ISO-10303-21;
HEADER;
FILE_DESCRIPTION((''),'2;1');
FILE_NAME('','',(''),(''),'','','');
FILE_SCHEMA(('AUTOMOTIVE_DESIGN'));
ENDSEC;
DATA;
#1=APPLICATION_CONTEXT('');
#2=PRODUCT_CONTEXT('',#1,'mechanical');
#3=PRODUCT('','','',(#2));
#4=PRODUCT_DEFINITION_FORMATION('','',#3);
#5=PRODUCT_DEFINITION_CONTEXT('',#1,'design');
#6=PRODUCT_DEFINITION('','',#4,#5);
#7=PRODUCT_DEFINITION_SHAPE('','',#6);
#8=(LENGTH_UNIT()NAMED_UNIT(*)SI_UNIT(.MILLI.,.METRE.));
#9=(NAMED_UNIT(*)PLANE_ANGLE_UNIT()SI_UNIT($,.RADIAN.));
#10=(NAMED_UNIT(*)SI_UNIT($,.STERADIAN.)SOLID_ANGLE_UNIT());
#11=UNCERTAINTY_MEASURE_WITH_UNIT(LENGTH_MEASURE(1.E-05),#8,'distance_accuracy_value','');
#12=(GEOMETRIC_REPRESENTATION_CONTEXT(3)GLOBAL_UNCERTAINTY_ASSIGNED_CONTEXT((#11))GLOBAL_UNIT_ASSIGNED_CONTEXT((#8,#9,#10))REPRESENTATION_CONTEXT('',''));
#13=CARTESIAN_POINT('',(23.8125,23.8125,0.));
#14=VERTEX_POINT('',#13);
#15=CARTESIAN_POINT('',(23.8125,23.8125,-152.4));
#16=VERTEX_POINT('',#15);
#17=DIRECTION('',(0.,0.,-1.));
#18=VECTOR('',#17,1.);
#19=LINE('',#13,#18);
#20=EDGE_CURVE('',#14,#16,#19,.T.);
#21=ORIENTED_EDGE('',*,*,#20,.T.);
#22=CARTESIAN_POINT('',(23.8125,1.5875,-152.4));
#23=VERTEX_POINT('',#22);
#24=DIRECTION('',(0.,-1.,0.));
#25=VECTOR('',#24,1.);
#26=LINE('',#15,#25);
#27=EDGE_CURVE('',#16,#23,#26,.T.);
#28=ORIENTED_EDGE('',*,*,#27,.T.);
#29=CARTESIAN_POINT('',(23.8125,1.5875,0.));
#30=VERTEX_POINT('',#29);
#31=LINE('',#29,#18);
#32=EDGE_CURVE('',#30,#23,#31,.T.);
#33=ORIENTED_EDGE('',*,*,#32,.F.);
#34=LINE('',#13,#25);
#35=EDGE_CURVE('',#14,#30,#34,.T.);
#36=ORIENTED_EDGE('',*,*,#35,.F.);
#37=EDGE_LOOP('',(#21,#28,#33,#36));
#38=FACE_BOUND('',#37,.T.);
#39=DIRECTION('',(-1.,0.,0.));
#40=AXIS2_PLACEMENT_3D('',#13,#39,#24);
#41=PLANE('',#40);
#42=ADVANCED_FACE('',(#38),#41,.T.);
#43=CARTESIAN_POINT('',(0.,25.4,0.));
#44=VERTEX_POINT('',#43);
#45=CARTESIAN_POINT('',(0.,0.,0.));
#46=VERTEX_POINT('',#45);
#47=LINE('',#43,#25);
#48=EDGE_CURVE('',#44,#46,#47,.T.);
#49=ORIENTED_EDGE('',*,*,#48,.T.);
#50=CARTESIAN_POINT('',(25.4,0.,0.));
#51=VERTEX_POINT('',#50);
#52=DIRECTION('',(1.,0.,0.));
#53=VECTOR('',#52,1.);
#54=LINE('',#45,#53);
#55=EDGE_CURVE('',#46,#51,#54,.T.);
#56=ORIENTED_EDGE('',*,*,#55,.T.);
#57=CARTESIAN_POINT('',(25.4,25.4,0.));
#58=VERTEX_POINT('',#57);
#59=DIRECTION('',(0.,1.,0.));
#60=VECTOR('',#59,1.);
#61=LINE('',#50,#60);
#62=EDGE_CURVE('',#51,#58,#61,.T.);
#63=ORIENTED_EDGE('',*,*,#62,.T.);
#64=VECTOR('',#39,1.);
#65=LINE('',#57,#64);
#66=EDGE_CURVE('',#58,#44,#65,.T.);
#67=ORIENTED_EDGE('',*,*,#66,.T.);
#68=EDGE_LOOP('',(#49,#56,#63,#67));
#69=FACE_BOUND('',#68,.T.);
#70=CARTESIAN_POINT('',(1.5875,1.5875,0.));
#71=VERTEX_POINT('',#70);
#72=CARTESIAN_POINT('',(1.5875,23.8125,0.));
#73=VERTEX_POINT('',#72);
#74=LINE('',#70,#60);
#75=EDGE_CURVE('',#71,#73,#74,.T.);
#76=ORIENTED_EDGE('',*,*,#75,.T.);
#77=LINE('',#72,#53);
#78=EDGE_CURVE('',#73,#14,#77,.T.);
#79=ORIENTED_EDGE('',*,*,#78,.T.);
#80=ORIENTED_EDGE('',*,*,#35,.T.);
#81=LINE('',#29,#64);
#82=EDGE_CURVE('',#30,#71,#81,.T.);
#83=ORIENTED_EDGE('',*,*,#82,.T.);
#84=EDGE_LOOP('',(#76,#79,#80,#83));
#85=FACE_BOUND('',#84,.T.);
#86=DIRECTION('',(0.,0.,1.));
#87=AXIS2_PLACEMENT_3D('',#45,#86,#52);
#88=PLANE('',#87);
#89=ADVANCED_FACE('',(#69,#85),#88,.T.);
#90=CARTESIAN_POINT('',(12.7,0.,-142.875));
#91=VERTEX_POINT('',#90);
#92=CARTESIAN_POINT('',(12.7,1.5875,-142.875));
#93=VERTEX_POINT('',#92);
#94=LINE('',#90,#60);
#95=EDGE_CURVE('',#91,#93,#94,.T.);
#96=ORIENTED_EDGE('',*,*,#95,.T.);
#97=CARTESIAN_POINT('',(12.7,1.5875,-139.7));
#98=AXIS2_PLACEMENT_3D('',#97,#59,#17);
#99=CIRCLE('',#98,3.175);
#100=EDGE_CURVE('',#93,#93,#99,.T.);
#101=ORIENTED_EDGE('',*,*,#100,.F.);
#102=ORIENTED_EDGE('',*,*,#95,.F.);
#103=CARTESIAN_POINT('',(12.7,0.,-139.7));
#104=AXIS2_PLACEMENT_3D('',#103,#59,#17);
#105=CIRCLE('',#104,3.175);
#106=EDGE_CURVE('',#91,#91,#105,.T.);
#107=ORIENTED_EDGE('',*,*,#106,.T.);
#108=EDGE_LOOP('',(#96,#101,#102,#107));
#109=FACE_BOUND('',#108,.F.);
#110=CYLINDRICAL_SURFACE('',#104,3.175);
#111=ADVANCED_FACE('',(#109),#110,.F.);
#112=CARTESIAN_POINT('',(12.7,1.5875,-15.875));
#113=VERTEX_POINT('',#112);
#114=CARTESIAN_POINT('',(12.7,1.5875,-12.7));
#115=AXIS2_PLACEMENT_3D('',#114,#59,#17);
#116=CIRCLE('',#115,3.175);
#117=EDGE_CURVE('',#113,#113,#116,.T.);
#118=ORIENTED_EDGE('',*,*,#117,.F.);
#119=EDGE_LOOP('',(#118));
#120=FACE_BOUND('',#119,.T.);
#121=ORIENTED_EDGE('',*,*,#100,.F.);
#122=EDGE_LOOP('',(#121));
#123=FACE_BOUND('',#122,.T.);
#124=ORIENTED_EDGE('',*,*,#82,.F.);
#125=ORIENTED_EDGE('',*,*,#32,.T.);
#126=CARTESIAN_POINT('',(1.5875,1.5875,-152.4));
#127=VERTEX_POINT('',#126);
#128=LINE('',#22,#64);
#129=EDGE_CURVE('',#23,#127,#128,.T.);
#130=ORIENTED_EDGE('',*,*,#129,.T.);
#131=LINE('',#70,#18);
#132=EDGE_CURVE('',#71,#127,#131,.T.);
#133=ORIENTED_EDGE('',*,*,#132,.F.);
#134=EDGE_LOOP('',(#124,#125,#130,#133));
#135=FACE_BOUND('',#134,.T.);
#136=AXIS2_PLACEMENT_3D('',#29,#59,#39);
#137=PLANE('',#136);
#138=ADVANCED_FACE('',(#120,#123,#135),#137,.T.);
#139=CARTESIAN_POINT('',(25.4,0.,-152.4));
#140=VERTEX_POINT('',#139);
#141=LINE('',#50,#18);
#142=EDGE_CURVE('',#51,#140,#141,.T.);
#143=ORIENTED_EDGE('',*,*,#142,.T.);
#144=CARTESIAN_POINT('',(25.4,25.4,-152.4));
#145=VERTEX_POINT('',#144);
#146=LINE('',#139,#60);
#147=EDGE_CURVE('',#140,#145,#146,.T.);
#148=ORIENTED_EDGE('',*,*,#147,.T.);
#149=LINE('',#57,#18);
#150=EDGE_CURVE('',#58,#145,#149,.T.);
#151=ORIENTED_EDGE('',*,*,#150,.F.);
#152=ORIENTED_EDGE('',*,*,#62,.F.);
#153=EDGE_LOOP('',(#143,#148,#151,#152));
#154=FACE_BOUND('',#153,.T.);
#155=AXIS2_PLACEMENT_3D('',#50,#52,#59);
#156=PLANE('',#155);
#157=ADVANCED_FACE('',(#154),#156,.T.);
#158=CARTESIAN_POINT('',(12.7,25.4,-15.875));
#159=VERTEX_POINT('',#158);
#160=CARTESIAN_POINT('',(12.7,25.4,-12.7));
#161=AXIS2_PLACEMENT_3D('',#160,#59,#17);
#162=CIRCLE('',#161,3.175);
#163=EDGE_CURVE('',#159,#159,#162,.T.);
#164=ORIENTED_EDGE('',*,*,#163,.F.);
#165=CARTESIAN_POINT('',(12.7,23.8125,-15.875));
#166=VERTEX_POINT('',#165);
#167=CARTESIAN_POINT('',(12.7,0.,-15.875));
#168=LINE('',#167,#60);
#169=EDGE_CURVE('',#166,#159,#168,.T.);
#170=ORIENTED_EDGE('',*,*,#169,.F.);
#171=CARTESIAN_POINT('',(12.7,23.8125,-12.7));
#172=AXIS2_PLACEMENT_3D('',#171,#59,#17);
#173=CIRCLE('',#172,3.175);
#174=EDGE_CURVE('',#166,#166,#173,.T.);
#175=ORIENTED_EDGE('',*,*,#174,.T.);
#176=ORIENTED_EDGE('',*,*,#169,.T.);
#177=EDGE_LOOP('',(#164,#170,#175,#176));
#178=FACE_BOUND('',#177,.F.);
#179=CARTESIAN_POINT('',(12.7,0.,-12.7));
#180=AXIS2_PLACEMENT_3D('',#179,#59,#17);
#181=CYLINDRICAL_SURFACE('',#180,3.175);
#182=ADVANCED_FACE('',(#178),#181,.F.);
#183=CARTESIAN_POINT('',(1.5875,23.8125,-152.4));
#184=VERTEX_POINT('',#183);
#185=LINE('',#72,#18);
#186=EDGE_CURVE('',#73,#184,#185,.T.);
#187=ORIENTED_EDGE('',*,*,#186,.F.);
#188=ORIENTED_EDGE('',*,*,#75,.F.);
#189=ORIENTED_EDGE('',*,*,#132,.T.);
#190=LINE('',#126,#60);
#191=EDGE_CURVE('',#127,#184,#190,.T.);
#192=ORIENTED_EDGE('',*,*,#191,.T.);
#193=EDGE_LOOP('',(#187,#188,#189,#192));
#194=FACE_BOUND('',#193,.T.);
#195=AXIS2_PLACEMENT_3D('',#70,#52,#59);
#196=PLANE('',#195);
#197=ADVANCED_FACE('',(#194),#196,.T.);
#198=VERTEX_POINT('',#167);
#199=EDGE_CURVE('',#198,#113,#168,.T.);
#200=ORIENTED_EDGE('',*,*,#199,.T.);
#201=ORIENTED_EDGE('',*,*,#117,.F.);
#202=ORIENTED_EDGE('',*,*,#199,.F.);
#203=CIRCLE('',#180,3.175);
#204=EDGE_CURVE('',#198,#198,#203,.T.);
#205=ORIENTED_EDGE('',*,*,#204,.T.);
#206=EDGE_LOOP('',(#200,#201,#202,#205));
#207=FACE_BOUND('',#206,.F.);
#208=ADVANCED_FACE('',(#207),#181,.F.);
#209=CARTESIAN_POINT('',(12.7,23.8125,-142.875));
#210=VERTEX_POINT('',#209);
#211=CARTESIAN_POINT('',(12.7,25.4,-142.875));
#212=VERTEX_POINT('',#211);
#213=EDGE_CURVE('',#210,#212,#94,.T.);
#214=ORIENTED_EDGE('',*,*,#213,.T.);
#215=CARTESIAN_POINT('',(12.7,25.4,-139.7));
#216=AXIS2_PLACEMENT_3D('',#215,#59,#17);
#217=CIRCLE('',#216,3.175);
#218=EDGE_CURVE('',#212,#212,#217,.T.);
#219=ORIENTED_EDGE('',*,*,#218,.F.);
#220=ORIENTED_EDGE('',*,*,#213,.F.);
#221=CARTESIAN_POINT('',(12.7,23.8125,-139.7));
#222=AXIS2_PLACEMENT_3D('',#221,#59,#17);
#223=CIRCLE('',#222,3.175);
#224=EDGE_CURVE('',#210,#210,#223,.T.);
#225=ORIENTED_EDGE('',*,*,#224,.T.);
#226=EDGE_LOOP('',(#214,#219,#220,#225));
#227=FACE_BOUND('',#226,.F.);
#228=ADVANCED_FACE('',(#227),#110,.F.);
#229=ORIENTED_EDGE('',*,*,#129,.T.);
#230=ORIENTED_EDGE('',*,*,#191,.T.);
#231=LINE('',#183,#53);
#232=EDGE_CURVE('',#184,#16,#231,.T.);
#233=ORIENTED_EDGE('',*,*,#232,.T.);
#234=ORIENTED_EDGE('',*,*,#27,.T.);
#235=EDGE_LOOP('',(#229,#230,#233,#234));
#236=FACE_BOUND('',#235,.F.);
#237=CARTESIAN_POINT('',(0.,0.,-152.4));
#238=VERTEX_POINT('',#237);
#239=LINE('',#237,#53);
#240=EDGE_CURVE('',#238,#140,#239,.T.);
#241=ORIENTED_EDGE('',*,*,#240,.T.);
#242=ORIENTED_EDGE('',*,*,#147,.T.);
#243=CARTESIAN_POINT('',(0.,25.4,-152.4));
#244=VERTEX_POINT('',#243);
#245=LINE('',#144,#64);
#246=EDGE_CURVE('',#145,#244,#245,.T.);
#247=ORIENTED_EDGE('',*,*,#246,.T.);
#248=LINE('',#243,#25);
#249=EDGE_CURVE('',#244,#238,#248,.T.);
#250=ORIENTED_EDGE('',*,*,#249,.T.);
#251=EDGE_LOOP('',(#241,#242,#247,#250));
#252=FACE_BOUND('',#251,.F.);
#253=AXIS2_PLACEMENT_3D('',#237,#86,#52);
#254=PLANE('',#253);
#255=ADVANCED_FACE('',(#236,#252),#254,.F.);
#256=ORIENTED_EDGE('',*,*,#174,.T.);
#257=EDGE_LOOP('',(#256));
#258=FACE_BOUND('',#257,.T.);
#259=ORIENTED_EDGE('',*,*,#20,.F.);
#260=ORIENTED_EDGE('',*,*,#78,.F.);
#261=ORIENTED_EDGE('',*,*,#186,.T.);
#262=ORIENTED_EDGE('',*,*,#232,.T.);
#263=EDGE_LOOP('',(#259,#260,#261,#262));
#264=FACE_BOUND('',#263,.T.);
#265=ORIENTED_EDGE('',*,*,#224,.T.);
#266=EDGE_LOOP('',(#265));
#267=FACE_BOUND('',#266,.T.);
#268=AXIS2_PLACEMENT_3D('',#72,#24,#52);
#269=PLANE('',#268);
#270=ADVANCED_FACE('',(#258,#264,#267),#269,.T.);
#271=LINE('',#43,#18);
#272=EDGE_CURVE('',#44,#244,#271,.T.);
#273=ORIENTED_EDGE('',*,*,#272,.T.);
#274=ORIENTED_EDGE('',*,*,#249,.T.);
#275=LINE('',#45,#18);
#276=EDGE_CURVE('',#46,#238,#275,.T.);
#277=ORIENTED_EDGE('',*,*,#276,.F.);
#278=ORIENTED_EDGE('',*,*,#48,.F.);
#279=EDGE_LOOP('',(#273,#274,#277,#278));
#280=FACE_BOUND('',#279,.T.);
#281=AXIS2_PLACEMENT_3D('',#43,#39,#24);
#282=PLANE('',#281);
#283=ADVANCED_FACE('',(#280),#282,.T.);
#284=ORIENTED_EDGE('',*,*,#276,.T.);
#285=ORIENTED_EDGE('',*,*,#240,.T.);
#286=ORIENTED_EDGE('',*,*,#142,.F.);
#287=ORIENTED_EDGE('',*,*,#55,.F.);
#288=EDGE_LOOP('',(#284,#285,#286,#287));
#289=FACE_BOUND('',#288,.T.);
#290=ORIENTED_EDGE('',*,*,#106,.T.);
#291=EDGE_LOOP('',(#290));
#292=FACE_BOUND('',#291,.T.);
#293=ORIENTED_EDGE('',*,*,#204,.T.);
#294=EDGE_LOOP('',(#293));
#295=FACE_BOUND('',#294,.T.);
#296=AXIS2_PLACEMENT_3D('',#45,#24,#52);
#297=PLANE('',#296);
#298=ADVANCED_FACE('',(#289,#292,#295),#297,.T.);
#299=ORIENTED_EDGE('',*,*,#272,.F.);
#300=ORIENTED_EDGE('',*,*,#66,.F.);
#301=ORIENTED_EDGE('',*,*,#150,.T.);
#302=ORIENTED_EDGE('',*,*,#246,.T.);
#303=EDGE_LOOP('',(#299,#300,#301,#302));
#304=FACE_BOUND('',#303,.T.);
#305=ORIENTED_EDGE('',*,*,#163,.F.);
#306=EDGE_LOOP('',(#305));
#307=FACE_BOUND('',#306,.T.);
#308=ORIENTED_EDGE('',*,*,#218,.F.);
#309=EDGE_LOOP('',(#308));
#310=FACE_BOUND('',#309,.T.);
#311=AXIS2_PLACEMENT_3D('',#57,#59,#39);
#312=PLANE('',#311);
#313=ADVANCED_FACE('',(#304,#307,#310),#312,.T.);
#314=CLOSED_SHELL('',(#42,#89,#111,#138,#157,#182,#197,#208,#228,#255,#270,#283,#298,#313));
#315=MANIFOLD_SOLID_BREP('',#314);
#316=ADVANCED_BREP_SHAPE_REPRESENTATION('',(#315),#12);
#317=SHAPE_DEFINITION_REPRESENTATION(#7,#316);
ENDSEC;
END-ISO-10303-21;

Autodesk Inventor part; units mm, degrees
ref_plane "YZ Plane" through (0, 0, 0) normal (1, 0, 0) x (0, 1, 0)
ref_plane "XZ Plane" through (0, 0, 0) normal (0, 1, 0) x (-1, 0, 0)
ref_plane "XY Plane" through (0, 0, 0) normal (0, 0, 1) x (1, 0, 0)
sketch "Sketch1" plane through (0, 0, 0) normal (0, 0, 1) x (1, 0, 0)
  line L0 (0, 0) -> (25.4, 0)
  line L1 (25.4, 0) -> (25.4, 25.4)
  line L2 (25.4, 25.4) -> (0, 25.4)
  line L3 (0, 25.4) -> (0, 0)
  line L4 (1.5875, 23.8125) -> (23.8125, 23.8125)
  line L5 (23.8125, 23.8125) -> (23.8125, 1.5875)
  line L6 (23.8125, 1.5875) -> (1.5875, 1.5875)
  line L7 (1.5875, 1.5875) -> (1.5875, 23.8125)
  dimension "d0" = 25.4
  dimension "d1" = 25.4
  dimension "d2" = 1.5875
extrude "Extrusion1" add sketch "Sketch1" against normal blind 152.4
sketch "Sketch3" plane through (0, 0, 0) normal (0, -1, 0) x (1, 0, 0)
  line L0 (0, -152.4) -> (25.4, -152.4) projected
  line L1 (0, 0) -> (25.4, 0) projected
  point P0 (12.7, -12.7)
  point P1 (12.7, -139.7)
  dimension "d7" = 12.7
  dimension "d8" = 12.7
hole "Hole2" at (12.7, 0, -12.7) at (12.7, 0, -139.7) direction (0, 1, 0) diameter 6.35 depth 25.4 tip angle 118
properties part number "tube_b_r_in_wheel"
